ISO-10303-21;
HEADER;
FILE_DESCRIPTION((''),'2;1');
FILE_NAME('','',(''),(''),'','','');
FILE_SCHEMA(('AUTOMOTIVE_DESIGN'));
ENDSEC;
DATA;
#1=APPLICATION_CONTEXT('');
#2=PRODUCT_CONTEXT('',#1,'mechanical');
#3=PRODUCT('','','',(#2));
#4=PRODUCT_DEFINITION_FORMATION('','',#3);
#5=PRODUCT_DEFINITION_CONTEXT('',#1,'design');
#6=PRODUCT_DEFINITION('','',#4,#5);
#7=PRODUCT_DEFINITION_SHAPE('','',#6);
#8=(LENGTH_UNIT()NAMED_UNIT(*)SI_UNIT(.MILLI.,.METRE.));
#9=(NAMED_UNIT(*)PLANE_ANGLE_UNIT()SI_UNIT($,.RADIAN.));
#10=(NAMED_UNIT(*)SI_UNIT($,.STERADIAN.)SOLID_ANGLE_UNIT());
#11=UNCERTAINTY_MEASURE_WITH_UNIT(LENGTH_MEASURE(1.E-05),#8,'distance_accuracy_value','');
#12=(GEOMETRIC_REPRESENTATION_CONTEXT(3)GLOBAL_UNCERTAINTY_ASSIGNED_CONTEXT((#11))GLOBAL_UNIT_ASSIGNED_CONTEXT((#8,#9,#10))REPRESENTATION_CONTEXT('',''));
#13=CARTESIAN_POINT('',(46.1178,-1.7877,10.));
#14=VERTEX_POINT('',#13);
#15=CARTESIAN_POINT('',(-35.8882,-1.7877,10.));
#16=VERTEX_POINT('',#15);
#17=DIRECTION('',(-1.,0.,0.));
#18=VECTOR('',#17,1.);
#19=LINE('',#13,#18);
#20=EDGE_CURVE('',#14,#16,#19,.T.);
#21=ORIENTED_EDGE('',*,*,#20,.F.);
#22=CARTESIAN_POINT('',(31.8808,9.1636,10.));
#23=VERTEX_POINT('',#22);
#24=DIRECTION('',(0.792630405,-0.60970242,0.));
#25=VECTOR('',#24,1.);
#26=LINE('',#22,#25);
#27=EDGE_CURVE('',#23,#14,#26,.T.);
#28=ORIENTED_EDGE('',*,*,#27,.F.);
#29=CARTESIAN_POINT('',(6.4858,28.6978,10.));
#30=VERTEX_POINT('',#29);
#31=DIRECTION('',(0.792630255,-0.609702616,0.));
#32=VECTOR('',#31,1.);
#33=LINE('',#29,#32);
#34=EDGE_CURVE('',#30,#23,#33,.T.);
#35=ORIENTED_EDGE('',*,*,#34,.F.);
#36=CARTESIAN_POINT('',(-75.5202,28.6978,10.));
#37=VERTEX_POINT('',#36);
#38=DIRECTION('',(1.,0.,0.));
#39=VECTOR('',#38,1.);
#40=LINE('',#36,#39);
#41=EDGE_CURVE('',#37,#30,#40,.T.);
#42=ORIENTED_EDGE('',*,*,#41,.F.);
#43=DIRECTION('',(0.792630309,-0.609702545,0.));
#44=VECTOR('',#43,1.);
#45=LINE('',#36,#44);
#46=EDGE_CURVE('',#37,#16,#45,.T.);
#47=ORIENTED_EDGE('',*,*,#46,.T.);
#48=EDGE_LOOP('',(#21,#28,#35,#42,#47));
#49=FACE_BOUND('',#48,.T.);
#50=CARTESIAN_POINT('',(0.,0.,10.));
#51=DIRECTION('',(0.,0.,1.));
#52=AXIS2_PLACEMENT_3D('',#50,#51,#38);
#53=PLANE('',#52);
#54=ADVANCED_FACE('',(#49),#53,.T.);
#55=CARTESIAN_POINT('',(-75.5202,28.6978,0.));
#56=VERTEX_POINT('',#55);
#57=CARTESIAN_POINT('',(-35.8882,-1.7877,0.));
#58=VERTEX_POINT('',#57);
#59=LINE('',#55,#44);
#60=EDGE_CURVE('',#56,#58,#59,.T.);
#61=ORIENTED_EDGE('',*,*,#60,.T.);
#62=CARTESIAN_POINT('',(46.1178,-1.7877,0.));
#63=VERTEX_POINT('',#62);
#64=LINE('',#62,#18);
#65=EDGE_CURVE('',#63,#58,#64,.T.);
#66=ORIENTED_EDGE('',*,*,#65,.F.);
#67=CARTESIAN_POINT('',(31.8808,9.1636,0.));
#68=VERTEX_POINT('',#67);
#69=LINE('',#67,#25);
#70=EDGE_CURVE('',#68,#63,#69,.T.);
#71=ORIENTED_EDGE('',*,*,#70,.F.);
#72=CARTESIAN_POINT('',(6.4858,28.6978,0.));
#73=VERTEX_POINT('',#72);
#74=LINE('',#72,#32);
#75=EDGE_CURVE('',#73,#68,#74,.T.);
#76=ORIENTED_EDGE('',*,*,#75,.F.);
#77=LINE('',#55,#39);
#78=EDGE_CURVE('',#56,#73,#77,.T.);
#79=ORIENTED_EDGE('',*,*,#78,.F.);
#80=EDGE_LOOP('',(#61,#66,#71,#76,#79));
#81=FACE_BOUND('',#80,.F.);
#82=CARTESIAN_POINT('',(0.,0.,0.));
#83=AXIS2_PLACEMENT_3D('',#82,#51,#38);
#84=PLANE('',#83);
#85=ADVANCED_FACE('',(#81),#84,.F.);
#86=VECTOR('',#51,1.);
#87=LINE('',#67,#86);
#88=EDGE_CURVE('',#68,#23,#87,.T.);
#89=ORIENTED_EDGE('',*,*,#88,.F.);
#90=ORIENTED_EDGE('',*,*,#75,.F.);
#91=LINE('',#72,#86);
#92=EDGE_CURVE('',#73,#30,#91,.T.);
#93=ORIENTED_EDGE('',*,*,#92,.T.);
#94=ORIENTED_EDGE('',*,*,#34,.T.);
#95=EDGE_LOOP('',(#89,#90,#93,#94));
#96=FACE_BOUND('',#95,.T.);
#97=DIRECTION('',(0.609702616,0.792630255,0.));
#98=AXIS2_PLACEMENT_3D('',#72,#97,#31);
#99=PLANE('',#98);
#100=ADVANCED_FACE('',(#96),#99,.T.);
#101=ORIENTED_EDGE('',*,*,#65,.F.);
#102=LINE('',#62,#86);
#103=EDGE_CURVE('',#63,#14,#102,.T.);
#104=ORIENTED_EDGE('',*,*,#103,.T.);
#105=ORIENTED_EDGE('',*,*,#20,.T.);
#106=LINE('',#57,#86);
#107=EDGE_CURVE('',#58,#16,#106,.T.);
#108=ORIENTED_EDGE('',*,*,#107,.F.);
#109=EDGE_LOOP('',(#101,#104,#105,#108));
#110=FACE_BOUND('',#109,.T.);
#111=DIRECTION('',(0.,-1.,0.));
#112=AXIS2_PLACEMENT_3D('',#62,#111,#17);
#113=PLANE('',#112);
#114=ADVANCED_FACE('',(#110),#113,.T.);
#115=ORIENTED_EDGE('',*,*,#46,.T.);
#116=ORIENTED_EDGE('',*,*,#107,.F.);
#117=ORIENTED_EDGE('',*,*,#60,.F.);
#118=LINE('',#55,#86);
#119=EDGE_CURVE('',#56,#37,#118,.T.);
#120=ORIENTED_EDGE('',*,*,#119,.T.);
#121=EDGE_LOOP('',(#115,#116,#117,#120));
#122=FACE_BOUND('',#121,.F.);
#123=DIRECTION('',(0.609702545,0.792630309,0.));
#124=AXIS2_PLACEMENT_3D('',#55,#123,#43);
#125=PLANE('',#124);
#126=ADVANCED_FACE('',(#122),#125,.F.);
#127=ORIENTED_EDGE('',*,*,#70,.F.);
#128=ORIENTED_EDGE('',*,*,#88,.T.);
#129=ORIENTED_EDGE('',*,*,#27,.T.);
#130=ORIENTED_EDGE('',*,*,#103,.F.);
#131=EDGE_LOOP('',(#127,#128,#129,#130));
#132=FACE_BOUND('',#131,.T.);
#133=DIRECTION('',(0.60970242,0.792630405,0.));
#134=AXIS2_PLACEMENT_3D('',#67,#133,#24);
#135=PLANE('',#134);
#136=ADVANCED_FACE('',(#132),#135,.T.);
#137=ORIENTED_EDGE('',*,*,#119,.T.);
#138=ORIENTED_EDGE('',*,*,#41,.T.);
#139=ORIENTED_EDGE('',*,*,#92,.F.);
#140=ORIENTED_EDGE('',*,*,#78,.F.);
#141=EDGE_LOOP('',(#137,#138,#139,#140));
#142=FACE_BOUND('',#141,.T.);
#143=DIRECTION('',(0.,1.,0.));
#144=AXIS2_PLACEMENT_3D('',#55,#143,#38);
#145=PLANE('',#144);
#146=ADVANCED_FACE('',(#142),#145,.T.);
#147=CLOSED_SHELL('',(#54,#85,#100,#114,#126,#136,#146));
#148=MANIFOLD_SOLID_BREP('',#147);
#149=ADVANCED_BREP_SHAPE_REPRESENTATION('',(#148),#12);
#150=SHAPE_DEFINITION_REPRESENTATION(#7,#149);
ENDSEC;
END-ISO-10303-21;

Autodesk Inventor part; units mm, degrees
ref_plane "YZ Plane" through (0, 0, 0) normal (1, 0, 0) x (0, 1, 0)
ref_plane "XZ Plane" through (0, 0, 0) normal (0, 1, 0) x (-1, 0, 0)
ref_plane "XY Plane" through (0, 0, 0) normal (0, 0, 1) x (1, 0, 0)
sketch "Boceto1" plane through (0, 0, 0) normal (0, 0, 1) x (1, 0, 0)
  line L0 (-75.5202, 28.6978) -> (6.4858, 28.6978)
  line L1 (46.1178, -1.7877) -> (-35.8882, -1.7877)
  line L2 (-75.5202, 28.6978) -> (-35.8882, -1.7877)
  line L3 (-35.8882, -1.7877) -> (-35.8882, -1.7877)
  line L4 (6.4858, 28.6978) -> (31.8808, 9.1636)
  line L5 (31.8808, 9.1636) -> (46.1178, -1.7877)
  line L6 (-35.8882, -1.7877) -> (-20.031, -13.9853)
  point P0 (0, 0)
  point P1 (-35.8882, -1.7877)
  dimension "d3" = 82.006
  dimension "d13" = 37.568
  dimension "d14" = 37.568
  dimension "d15" = 30.4855
extrude "Extrusión1" add sketch "Boceto1" along normal blind 10
properties part number "Brazo_C" material "Hierro, fundido"
